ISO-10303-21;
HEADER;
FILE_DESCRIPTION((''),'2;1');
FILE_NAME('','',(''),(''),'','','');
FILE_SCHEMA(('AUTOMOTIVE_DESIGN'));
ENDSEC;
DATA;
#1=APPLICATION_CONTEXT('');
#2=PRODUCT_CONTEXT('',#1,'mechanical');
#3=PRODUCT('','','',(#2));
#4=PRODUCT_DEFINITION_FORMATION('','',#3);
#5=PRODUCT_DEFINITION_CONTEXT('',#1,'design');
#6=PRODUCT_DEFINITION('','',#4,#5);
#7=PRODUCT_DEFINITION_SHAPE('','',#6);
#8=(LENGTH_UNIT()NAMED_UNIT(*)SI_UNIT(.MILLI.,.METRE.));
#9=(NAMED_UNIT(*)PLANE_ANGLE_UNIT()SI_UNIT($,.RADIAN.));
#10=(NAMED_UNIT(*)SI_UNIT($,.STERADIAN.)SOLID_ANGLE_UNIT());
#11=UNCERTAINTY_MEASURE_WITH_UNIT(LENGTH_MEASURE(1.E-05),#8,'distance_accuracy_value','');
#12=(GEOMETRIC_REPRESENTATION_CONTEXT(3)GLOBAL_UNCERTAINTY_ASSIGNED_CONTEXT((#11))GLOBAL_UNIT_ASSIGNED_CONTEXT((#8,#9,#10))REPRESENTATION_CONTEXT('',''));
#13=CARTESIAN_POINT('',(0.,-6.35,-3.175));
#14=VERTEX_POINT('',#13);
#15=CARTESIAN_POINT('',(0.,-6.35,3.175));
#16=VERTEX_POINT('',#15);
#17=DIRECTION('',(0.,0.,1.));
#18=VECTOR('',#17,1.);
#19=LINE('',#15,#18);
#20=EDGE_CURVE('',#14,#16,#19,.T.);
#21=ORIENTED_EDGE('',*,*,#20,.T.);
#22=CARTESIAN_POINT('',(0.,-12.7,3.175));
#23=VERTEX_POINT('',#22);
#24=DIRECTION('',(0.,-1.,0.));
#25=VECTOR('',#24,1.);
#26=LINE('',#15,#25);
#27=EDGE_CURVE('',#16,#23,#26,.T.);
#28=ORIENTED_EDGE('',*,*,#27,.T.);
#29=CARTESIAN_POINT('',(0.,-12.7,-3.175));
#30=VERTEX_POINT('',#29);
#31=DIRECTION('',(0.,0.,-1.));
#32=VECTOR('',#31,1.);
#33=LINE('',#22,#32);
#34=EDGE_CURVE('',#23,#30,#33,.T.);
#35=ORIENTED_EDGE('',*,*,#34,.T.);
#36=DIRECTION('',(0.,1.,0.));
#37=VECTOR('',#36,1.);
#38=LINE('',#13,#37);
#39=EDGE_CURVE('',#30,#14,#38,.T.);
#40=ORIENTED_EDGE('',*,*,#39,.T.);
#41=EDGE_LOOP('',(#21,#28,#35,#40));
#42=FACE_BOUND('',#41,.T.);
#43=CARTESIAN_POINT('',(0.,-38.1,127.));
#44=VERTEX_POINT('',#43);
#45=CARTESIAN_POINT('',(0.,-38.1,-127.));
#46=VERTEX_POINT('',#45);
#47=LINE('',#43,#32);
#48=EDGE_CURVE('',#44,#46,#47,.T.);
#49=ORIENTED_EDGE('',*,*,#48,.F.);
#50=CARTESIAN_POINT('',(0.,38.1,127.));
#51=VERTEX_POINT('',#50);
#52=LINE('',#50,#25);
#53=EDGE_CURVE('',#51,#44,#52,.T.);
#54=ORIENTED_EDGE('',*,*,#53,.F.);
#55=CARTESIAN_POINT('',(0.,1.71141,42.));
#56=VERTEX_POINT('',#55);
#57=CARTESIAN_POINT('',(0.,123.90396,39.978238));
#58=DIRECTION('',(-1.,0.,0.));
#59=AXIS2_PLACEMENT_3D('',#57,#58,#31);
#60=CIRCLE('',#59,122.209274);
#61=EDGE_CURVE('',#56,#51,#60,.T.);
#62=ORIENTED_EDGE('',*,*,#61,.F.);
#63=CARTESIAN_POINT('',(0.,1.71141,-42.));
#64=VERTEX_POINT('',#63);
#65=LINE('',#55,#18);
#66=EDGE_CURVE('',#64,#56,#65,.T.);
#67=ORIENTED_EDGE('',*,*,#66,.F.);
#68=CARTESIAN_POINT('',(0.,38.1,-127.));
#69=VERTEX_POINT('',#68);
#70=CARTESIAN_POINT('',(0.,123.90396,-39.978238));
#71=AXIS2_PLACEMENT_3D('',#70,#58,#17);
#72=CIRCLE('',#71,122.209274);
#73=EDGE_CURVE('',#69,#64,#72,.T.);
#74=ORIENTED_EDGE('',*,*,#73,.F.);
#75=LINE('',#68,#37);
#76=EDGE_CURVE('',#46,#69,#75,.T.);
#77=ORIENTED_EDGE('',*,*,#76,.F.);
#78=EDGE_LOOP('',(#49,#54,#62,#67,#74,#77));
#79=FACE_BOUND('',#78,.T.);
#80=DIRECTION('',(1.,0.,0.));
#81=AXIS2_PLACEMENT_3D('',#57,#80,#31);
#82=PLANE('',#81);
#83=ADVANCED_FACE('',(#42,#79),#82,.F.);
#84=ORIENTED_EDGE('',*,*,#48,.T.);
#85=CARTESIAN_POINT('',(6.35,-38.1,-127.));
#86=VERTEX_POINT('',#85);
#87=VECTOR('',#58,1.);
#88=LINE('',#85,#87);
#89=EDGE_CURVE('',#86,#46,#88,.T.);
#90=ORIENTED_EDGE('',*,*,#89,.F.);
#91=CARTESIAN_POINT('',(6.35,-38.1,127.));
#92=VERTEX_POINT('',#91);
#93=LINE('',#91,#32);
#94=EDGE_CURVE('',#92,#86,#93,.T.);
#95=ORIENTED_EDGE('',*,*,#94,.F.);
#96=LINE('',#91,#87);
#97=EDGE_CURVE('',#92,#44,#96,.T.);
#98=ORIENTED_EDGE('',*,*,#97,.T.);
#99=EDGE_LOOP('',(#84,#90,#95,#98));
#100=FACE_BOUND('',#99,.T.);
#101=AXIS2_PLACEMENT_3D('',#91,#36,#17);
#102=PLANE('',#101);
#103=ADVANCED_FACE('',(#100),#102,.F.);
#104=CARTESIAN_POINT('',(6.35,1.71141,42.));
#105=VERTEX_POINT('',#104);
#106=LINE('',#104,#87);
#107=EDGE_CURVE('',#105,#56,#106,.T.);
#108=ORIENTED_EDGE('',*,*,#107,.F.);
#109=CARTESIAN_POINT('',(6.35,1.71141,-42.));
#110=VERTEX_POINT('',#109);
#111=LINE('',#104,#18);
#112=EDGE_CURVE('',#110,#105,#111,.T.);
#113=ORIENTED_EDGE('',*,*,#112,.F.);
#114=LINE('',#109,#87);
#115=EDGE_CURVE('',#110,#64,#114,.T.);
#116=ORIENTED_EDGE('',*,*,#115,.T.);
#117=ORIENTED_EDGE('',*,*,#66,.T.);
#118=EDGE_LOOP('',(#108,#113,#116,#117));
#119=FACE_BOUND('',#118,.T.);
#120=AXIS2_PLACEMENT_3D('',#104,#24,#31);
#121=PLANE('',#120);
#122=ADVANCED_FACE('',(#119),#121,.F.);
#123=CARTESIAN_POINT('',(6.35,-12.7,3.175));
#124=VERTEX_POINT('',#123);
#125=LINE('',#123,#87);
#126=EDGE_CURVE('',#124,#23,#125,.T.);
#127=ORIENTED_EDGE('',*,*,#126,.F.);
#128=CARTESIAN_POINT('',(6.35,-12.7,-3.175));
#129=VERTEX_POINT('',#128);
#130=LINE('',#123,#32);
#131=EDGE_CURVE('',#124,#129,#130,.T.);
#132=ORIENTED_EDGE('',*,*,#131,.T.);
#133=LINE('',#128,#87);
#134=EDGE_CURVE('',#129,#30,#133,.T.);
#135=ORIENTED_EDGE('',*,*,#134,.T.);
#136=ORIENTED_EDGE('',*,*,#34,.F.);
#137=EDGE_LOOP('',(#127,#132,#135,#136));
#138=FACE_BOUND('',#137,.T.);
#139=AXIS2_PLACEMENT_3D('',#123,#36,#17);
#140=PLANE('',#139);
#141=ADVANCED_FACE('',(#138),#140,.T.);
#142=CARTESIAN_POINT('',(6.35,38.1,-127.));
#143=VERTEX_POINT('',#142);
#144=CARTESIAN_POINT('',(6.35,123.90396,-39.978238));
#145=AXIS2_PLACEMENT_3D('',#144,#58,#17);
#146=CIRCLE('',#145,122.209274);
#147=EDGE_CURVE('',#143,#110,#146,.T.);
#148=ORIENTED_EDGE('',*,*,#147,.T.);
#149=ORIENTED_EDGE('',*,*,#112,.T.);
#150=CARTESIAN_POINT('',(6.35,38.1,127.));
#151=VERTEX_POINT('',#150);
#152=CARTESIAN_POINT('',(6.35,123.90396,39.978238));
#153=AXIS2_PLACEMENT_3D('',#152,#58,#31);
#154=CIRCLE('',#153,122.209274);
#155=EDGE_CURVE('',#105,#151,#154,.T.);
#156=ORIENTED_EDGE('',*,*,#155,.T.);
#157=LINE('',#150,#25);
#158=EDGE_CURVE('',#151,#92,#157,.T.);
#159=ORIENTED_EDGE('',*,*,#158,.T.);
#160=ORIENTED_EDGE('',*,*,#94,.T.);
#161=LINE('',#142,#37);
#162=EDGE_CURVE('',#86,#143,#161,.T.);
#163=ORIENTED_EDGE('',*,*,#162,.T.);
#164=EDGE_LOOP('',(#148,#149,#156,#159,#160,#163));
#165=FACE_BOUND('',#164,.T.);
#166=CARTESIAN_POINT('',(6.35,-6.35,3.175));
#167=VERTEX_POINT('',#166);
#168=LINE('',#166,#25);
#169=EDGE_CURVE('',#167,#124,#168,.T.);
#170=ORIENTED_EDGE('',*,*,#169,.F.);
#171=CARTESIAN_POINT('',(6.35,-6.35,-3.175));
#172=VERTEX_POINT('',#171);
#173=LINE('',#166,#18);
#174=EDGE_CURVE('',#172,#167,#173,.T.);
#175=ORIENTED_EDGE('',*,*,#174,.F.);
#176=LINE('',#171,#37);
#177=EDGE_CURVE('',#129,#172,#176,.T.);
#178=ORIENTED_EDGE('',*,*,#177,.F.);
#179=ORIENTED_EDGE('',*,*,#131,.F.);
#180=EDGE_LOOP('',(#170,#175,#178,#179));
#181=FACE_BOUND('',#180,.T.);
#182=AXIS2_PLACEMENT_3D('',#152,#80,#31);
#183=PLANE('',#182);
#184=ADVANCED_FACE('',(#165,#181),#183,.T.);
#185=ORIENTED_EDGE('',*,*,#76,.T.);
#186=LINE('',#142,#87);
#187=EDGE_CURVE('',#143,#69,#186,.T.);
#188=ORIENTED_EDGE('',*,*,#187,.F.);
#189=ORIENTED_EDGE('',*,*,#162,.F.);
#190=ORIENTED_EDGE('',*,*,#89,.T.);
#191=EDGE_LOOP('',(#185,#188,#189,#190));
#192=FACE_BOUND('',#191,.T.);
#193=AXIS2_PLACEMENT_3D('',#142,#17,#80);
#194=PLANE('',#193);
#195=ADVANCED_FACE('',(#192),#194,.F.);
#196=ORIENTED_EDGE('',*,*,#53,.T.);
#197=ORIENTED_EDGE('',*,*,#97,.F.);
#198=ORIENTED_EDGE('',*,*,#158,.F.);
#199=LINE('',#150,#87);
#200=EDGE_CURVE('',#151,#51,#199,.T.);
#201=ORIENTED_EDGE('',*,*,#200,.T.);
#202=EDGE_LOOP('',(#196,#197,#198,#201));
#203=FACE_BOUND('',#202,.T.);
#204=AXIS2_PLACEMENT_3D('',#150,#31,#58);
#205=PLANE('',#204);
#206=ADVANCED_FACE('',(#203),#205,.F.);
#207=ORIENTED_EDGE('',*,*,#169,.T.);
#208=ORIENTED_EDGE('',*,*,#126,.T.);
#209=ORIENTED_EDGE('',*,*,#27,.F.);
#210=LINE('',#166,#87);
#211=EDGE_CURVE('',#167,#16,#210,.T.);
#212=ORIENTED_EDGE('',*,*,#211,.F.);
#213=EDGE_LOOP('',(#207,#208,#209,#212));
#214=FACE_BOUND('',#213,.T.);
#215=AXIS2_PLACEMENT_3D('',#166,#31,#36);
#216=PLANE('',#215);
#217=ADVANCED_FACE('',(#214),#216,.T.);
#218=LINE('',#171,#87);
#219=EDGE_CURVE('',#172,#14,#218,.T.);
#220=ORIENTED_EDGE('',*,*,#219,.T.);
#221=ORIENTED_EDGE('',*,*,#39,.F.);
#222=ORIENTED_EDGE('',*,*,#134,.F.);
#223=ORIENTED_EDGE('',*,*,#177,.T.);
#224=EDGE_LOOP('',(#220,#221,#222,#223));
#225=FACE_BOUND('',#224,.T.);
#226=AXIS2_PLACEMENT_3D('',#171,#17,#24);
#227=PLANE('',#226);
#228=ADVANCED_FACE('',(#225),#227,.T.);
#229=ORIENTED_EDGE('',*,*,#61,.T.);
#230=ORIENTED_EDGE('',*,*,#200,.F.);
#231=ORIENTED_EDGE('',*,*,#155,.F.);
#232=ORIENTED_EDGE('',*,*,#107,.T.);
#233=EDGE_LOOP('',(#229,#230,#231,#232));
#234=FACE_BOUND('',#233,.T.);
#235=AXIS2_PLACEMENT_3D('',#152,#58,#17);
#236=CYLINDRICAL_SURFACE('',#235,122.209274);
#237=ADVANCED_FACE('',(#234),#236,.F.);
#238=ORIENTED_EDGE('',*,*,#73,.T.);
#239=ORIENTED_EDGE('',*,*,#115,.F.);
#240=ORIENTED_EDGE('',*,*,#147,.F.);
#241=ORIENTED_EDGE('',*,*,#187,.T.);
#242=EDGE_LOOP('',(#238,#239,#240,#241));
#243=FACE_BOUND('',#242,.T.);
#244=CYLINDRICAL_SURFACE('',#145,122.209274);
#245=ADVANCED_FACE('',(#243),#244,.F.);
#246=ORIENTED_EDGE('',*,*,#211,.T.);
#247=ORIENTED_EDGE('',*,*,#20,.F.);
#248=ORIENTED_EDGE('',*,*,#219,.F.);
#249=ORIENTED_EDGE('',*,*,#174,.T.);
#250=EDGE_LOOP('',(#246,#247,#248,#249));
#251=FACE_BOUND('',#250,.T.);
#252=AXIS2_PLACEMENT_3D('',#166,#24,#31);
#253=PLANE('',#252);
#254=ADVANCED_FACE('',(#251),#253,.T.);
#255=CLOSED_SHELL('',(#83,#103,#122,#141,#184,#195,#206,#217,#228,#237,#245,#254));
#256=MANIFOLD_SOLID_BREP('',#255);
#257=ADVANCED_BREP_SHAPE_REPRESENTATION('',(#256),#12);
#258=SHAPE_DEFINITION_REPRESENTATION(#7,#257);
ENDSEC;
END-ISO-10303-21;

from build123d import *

# Parameters (mm, degrees)
SKETCH1_W           = 6.35
SKETCH1_H           = 6.35
BOSS_EXTRUDE1_DEPTH = 6.35


with BuildPart() as part:
    # Sketch1 → Boss-Extrude1 (new body)
    with BuildSketch(Plane(origin=(0, 0, 0), x_dir=(0, 0, -1), z_dir=(1, 0, 0))):
        with BuildLine():
            Line((-42, 1.711410462), (42, 1.711410462))
            ThreePointArc((42, 1.711410462), (88.07418015, 11.556788259), (127, 38.1))
            Line((127, 38.1), (127, -38.1))
            Line((127, -38.1), (-127, -38.1))
            Line((-127, -38.1), (-127, 38.1))
            ThreePointArc((-127, 38.1), (-88.07418015, 11.556788259), (-42, 1.711410462))
        make_face()
        with Locations((0, -9.525)):
            Rectangle(SKETCH1_W, SKETCH1_H, mode=Mode.SUBTRACT)
    extrude(amount=BOSS_EXTRUDE1_DEPTH)


solid = part.part
